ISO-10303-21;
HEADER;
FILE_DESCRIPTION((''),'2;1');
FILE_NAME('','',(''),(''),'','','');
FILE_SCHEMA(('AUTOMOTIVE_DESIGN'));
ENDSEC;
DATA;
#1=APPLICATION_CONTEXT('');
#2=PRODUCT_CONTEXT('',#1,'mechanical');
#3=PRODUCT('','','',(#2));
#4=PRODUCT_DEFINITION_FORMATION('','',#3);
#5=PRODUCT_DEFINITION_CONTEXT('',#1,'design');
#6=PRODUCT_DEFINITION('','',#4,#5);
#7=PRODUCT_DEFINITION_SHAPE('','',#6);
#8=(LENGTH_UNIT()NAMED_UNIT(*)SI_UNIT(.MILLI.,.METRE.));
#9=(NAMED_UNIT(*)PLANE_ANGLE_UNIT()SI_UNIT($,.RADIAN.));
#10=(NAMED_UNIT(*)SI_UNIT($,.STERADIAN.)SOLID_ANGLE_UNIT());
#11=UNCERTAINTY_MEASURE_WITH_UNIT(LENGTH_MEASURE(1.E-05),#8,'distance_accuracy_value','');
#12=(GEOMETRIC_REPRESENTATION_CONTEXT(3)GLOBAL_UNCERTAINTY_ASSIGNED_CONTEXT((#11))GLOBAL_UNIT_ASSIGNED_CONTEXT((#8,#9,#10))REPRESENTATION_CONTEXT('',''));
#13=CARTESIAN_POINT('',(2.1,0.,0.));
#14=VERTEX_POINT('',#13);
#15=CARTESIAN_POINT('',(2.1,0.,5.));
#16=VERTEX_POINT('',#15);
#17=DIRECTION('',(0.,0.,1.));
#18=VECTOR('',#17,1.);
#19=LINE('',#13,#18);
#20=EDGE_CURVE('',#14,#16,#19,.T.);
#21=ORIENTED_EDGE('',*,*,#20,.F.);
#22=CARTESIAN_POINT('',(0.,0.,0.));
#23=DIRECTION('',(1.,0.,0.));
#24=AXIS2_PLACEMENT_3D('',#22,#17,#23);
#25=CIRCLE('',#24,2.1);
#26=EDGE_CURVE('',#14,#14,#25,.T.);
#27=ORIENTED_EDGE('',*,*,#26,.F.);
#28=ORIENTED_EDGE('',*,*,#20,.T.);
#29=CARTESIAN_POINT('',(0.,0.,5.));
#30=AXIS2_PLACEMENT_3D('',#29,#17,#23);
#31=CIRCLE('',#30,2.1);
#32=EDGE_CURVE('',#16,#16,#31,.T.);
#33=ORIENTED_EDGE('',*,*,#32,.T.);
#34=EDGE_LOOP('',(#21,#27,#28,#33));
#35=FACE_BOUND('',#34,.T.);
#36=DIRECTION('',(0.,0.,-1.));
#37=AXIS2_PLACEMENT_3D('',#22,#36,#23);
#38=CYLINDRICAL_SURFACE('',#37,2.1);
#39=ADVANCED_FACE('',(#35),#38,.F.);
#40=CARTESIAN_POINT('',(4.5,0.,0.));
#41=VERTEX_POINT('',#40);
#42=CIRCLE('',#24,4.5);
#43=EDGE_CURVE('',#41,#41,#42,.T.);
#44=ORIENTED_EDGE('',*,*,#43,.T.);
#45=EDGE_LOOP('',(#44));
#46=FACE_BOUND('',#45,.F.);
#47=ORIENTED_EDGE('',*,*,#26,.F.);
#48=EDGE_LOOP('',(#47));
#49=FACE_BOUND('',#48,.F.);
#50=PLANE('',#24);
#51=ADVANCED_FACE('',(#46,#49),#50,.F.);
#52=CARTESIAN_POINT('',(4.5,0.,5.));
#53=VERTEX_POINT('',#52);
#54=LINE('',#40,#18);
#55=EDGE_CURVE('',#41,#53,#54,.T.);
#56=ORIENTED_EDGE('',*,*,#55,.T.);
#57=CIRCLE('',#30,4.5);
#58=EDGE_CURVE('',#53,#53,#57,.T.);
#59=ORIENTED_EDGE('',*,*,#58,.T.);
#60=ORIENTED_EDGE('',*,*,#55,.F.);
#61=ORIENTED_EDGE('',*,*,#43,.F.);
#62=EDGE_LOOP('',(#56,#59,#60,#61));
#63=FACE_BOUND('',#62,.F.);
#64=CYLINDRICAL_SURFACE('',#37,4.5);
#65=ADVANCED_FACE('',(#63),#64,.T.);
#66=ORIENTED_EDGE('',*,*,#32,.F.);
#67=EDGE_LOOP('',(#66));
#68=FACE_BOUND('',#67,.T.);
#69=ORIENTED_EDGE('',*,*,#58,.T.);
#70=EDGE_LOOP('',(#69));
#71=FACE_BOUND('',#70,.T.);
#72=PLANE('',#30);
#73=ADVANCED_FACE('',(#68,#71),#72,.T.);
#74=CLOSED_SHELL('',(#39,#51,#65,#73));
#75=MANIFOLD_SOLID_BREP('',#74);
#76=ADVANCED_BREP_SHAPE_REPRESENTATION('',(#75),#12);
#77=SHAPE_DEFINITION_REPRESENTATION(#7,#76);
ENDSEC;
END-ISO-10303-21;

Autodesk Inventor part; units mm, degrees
ref_plane "YZ Plane" through (0, 0, 0) normal (1, 0, 0) x (0, 1, 0)
ref_plane "XZ Plane" through (0, 0, 0) normal (0, 1, 0) x (-1, 0, 0)
ref_plane "XY Plane" through (0, 0, 0) normal (0, 0, 1) x (1, 0, 0)
sketch "Sketch1" plane through (0, 0, 0) normal (0, 0, 1) x (1, 0, 0)
  circle A0 centre (0, 0) radius 4.5
  circle A1 centre (0, 0) radius 2.1
  dimension "d0" = 9
  dimension "d1" = 4.2
extrude "Extrusion1" add sketch "Sketch1" along normal blind 5
properties part number "PcbSpacer4x5mm"
